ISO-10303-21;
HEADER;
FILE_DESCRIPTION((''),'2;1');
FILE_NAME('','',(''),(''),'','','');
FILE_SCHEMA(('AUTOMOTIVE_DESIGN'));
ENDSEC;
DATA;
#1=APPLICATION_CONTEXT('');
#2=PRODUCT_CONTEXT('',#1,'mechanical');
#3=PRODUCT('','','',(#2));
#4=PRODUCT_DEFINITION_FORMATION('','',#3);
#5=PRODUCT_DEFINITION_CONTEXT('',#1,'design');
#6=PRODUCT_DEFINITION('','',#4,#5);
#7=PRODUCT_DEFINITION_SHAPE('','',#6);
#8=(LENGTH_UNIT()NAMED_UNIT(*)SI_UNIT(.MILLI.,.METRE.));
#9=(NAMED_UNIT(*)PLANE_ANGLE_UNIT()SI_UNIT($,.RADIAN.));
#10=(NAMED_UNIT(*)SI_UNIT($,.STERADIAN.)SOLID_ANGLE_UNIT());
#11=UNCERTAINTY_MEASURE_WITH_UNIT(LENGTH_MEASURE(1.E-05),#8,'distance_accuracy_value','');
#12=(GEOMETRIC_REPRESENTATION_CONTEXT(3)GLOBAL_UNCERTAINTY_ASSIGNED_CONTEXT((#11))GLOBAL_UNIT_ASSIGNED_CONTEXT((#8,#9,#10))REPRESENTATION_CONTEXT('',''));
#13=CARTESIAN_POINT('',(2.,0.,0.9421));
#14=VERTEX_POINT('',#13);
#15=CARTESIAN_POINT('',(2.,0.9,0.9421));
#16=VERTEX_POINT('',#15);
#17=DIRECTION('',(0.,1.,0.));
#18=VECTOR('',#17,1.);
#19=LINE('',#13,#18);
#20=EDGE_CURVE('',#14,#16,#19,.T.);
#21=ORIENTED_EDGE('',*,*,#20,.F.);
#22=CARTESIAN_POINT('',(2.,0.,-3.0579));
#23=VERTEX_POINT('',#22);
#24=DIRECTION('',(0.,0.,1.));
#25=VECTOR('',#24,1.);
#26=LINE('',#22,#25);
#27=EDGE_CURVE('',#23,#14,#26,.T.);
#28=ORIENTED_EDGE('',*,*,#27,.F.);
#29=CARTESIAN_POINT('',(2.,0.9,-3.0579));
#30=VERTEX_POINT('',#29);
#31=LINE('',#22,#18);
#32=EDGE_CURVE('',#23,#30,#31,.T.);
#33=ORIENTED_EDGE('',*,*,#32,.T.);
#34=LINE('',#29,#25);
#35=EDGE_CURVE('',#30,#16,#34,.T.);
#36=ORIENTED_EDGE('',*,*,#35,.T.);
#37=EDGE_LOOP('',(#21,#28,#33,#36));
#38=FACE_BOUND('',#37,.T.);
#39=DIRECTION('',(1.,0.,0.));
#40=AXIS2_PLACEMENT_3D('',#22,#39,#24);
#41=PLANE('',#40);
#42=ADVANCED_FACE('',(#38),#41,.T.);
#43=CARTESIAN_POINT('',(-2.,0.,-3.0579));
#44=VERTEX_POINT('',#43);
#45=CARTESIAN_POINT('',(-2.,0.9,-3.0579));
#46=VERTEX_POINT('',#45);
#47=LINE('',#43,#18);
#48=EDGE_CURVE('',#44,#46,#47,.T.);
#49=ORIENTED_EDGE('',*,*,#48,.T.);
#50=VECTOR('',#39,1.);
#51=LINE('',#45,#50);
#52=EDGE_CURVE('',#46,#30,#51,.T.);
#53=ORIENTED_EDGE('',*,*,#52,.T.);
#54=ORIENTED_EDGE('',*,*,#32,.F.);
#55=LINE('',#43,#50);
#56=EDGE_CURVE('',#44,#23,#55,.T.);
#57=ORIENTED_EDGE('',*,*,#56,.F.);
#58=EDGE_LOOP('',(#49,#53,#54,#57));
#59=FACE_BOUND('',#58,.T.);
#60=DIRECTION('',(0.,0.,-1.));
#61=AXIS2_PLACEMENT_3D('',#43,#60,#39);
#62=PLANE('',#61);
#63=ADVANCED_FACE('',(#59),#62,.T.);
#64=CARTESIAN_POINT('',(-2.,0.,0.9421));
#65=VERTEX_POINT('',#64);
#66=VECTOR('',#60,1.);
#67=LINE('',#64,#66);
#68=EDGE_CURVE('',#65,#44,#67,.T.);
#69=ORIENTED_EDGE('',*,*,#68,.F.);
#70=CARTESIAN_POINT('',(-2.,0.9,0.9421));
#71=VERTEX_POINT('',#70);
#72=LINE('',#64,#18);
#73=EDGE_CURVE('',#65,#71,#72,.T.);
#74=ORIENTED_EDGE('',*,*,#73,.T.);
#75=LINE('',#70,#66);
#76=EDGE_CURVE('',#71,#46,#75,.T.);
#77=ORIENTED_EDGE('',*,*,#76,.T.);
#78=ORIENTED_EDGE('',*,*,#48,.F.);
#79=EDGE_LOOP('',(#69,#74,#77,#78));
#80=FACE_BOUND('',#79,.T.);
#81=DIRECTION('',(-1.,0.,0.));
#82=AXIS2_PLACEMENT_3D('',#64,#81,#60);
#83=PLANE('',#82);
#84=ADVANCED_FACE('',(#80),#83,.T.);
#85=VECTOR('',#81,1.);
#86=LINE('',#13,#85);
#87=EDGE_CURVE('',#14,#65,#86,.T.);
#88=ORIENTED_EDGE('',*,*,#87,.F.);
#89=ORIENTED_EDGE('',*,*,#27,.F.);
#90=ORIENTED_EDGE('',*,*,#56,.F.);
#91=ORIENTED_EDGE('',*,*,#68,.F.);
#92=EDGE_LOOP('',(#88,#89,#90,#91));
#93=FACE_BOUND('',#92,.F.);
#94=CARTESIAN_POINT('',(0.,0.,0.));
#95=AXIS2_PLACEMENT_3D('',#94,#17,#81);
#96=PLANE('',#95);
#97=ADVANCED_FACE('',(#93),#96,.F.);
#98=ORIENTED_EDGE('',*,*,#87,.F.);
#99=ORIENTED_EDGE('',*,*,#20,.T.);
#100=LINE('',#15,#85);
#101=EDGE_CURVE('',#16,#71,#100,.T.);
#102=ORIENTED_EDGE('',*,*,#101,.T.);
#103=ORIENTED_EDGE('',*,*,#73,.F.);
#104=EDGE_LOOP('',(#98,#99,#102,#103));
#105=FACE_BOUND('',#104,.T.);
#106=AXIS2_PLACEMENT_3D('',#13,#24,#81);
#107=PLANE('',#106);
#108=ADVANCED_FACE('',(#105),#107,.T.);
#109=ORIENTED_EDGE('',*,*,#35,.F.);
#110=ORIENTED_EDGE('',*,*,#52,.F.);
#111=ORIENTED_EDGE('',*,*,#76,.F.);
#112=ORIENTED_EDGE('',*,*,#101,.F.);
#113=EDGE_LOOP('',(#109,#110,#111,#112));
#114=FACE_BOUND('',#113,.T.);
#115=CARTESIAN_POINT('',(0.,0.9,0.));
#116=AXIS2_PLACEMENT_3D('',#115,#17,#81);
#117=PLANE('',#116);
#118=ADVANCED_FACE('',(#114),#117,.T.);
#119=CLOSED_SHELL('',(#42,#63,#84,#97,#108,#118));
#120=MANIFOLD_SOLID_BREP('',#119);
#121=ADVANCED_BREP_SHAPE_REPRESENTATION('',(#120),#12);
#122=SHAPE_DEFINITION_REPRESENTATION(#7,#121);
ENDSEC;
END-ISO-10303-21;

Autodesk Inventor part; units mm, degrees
ref_plane "YZ Plane" through (0, 0, 0) normal (1, 0, 0) x (0, 1, 0)
ref_plane "XZ Plane" through (0, 0, 0) normal (0, 1, 0) x (-1, 0, 0)
ref_plane "XY Plane" through (0, 0, 0) normal (0, 0, 1) x (1, 0, 0)
sketch "Sketch1" plane through (0, 0, 0) normal (0, 1, 0) x (-1, 0, 0)
  line L0 (-2, 0.9421) -> (2, 0.9421)
  line L1 (2, 0.9421) -> (2, -3.0579)
  line L2 (2, -3.0579) -> (-2, -3.0579)
  line L3 (-2, -3.0579) -> (-2, 0.9421)
  point P0 (0, 0)
  dimension "d0" = 4
  dimension "d1" = 4
extrude "Extrusion1" add sketch "Sketch1" along normal blind 0.9
properties part number "RFSwitch"
